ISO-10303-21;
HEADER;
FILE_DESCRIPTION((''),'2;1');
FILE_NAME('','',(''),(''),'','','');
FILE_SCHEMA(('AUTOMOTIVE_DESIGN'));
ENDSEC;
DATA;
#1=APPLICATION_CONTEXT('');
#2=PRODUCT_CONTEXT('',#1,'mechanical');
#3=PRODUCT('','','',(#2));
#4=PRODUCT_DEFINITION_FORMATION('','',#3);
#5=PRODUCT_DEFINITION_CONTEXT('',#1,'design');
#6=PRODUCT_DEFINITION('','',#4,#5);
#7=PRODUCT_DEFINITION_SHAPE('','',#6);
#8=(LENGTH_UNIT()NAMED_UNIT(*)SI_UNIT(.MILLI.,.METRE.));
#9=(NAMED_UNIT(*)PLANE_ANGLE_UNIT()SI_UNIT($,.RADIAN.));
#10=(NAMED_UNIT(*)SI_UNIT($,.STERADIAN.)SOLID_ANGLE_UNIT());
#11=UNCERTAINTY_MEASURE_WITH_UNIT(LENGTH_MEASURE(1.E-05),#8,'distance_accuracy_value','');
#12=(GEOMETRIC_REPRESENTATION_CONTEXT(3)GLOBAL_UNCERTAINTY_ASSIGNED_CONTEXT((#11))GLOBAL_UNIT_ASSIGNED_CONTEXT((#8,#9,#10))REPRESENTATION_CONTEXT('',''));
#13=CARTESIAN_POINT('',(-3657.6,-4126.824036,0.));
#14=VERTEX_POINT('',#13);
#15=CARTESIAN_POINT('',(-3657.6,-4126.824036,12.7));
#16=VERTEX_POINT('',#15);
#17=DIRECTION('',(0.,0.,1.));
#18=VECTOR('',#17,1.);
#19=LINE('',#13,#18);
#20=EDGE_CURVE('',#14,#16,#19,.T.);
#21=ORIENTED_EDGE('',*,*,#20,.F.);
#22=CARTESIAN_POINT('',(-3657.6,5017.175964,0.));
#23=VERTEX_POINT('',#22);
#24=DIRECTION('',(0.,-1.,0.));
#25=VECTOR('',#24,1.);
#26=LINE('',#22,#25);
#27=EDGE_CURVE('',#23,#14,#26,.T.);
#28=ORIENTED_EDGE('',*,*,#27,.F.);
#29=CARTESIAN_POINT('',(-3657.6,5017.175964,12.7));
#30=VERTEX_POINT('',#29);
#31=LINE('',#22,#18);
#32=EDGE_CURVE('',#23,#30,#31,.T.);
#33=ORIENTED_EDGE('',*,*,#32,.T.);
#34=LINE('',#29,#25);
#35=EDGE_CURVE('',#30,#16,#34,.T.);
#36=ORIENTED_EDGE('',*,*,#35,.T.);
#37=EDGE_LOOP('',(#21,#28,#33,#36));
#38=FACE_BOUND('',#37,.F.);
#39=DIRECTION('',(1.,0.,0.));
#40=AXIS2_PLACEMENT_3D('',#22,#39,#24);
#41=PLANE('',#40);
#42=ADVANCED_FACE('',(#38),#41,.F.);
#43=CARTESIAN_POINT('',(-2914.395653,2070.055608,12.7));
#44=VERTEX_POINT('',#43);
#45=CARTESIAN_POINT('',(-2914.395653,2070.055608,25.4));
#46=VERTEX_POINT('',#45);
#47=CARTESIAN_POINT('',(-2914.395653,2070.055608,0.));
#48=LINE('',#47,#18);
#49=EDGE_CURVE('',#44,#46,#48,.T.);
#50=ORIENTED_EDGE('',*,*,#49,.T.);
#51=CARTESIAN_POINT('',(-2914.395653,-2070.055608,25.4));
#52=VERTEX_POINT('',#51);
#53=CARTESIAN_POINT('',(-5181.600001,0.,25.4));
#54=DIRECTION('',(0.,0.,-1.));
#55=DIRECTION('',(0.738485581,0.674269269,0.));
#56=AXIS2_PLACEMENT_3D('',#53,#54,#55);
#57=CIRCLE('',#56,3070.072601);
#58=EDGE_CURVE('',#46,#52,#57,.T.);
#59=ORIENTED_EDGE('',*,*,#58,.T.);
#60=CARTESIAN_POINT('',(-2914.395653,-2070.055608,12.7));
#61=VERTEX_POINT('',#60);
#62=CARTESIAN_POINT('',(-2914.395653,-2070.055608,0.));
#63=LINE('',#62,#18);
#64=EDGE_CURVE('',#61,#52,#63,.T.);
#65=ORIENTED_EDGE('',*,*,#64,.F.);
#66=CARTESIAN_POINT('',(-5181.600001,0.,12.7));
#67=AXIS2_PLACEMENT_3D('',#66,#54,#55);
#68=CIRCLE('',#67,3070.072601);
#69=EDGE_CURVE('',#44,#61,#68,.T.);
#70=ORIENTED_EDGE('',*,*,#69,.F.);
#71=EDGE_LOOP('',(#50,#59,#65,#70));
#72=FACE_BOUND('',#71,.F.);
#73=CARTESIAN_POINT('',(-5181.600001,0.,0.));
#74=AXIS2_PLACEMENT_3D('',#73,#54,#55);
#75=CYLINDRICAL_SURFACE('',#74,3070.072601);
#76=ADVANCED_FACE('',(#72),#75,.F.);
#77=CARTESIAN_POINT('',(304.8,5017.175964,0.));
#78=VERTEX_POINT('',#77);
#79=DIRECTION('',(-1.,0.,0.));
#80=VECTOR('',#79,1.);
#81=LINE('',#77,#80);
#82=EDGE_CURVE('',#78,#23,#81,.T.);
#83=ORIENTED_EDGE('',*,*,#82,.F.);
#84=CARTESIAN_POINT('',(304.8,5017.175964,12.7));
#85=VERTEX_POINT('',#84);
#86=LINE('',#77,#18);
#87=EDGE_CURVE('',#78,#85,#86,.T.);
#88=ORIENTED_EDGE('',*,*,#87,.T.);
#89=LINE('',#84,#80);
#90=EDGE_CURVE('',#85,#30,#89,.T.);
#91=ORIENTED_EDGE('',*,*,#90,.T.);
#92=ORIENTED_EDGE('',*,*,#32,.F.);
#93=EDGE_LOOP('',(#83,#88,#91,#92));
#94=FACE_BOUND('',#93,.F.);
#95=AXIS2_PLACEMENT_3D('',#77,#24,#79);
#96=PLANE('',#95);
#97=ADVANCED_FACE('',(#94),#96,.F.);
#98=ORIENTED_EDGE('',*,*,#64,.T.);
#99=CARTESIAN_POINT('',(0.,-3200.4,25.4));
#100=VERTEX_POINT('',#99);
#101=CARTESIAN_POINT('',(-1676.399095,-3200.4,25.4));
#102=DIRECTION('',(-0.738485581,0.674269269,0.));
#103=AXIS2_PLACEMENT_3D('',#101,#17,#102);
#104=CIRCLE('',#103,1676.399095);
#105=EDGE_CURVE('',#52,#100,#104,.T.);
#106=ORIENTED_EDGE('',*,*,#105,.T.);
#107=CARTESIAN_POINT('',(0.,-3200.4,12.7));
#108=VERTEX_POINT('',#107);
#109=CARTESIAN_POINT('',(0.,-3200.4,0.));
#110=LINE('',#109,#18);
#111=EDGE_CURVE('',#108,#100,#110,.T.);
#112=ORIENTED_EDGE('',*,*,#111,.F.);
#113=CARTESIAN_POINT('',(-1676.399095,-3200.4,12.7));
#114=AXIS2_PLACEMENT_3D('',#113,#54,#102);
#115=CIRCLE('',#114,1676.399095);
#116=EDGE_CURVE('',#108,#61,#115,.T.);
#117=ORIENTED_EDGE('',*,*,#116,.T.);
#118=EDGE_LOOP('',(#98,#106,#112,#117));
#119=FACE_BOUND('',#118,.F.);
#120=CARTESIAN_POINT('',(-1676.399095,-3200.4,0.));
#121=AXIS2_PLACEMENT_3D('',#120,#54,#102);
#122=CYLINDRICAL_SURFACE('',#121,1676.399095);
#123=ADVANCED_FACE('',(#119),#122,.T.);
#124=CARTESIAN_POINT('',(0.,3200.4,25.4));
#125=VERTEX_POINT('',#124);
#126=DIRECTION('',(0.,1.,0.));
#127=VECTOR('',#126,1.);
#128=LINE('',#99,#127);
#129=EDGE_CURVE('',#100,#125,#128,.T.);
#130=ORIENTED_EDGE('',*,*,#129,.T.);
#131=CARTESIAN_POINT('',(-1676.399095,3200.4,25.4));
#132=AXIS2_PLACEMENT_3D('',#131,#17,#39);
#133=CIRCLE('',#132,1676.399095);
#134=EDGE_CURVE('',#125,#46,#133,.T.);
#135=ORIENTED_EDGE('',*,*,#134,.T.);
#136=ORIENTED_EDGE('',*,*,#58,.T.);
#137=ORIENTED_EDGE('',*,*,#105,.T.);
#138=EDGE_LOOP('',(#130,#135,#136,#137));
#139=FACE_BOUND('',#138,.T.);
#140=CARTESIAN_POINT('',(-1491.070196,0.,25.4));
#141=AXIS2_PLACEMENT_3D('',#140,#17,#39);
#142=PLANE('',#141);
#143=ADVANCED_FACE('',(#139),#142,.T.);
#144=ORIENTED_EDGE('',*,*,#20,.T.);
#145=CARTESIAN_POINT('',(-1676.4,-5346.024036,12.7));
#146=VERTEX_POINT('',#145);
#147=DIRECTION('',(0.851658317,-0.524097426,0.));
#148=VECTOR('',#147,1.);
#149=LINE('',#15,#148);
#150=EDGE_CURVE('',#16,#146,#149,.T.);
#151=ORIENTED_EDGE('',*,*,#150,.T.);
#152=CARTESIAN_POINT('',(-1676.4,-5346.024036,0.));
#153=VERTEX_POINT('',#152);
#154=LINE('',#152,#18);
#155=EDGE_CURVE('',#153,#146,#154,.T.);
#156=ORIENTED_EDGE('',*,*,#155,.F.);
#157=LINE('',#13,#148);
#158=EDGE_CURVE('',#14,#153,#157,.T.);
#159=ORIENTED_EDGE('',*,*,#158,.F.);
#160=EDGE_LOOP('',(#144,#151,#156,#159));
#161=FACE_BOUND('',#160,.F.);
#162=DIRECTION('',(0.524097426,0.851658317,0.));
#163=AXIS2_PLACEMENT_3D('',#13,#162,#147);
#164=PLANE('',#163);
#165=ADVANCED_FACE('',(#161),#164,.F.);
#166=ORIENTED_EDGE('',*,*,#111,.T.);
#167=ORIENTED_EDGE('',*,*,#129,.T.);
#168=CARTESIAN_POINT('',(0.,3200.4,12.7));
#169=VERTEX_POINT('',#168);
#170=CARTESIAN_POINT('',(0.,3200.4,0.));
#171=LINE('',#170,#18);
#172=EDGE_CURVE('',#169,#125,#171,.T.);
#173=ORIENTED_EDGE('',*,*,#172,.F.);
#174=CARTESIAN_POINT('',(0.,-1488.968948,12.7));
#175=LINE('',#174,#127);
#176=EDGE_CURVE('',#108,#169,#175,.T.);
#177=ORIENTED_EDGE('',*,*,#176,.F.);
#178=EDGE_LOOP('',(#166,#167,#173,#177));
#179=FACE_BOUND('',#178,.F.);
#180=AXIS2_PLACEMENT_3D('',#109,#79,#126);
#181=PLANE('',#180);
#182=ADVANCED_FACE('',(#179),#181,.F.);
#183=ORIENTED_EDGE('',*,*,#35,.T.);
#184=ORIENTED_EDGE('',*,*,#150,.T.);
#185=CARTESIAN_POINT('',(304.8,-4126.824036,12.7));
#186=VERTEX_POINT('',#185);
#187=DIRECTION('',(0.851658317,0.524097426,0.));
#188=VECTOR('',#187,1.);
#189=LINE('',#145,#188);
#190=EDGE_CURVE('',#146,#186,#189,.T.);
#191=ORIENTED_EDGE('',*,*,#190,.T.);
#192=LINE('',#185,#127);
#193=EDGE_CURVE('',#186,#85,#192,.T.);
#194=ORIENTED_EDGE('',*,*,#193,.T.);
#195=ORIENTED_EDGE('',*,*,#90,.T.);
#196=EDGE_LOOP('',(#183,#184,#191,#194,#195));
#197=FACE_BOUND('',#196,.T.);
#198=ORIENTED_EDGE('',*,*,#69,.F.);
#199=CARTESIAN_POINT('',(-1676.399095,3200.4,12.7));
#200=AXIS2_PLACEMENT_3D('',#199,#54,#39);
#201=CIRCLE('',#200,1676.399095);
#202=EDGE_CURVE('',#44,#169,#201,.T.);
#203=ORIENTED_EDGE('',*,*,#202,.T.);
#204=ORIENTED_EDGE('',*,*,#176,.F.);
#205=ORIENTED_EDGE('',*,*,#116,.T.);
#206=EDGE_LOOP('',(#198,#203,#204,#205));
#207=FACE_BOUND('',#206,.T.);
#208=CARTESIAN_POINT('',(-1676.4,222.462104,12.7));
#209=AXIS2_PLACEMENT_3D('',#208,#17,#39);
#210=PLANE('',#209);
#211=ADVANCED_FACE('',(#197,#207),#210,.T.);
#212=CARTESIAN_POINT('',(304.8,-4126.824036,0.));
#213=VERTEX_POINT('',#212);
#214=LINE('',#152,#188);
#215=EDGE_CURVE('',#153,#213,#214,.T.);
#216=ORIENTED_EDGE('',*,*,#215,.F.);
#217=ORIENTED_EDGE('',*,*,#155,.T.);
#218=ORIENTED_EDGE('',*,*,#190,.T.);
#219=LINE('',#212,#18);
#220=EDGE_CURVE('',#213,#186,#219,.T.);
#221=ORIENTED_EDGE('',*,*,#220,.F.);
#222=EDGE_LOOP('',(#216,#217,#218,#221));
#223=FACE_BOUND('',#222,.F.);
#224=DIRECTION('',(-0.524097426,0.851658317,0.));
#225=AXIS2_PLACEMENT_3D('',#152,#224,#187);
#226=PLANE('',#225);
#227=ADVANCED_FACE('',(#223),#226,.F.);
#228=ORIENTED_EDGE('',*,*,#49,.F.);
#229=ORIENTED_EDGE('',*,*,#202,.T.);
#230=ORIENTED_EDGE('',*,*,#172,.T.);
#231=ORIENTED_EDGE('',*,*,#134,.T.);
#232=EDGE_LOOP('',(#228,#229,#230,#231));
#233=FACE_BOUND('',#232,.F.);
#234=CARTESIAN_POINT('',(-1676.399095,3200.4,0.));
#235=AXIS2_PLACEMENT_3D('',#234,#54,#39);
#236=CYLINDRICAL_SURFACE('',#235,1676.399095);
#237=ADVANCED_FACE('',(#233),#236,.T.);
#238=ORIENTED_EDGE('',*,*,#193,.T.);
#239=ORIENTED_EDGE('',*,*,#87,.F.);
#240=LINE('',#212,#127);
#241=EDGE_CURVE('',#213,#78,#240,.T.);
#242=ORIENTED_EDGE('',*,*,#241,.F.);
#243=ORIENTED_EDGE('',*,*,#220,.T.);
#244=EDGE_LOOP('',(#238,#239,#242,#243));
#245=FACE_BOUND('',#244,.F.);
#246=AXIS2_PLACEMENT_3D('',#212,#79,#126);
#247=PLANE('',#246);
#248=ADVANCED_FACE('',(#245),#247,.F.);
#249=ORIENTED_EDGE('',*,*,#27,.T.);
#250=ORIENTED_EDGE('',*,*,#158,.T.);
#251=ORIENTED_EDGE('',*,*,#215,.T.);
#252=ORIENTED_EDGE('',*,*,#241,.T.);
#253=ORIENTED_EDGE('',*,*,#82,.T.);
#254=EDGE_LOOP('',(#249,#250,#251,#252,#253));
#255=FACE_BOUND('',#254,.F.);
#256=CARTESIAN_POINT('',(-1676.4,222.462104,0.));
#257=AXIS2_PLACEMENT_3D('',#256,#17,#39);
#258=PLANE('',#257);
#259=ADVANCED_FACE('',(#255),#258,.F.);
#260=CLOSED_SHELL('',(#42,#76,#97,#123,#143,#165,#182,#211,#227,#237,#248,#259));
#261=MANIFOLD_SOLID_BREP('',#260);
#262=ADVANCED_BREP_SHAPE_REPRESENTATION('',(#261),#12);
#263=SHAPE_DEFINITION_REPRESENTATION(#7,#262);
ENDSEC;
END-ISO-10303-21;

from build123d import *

# Parameters (mm, degrees)
F2_DEPTH = 25.4
F3_DEPTH = 12.7


with BuildPart() as f2:
    # F0 (on Top) → F2 (new body)
    with BuildSketch(Plane.XY):
        with BuildLine():
            ThreePointArc((-2914.395653, -2070.055608), (-2282.591149, -4763.36037), (0, -3200.4))
            Line((0, -3200.4), (0, 3200.4))
            ThreePointArc((0, 3200.4), (-2282.591149, 4763.36037), (-2914.395653, 2070.055608))
            ThreePointArc((-2914.395653, 2070.055608), (-2111.5274, 0), (-2914.395653, -2070.055608))
        make_face()
    extrude(amount=F2_DEPTH)

    # F1 (on Top) → F3 (join)
    with BuildSketch(Plane.XY):
        Polygon((304.8, 5017.175964), (-3657.6, 5017.175964), (-3657.6, -4126.824036), (-1676.4, -5346.024036), (304.8, -4126.824036), align=None)
    extrude(amount=F3_DEPTH)


solid = f2.part
